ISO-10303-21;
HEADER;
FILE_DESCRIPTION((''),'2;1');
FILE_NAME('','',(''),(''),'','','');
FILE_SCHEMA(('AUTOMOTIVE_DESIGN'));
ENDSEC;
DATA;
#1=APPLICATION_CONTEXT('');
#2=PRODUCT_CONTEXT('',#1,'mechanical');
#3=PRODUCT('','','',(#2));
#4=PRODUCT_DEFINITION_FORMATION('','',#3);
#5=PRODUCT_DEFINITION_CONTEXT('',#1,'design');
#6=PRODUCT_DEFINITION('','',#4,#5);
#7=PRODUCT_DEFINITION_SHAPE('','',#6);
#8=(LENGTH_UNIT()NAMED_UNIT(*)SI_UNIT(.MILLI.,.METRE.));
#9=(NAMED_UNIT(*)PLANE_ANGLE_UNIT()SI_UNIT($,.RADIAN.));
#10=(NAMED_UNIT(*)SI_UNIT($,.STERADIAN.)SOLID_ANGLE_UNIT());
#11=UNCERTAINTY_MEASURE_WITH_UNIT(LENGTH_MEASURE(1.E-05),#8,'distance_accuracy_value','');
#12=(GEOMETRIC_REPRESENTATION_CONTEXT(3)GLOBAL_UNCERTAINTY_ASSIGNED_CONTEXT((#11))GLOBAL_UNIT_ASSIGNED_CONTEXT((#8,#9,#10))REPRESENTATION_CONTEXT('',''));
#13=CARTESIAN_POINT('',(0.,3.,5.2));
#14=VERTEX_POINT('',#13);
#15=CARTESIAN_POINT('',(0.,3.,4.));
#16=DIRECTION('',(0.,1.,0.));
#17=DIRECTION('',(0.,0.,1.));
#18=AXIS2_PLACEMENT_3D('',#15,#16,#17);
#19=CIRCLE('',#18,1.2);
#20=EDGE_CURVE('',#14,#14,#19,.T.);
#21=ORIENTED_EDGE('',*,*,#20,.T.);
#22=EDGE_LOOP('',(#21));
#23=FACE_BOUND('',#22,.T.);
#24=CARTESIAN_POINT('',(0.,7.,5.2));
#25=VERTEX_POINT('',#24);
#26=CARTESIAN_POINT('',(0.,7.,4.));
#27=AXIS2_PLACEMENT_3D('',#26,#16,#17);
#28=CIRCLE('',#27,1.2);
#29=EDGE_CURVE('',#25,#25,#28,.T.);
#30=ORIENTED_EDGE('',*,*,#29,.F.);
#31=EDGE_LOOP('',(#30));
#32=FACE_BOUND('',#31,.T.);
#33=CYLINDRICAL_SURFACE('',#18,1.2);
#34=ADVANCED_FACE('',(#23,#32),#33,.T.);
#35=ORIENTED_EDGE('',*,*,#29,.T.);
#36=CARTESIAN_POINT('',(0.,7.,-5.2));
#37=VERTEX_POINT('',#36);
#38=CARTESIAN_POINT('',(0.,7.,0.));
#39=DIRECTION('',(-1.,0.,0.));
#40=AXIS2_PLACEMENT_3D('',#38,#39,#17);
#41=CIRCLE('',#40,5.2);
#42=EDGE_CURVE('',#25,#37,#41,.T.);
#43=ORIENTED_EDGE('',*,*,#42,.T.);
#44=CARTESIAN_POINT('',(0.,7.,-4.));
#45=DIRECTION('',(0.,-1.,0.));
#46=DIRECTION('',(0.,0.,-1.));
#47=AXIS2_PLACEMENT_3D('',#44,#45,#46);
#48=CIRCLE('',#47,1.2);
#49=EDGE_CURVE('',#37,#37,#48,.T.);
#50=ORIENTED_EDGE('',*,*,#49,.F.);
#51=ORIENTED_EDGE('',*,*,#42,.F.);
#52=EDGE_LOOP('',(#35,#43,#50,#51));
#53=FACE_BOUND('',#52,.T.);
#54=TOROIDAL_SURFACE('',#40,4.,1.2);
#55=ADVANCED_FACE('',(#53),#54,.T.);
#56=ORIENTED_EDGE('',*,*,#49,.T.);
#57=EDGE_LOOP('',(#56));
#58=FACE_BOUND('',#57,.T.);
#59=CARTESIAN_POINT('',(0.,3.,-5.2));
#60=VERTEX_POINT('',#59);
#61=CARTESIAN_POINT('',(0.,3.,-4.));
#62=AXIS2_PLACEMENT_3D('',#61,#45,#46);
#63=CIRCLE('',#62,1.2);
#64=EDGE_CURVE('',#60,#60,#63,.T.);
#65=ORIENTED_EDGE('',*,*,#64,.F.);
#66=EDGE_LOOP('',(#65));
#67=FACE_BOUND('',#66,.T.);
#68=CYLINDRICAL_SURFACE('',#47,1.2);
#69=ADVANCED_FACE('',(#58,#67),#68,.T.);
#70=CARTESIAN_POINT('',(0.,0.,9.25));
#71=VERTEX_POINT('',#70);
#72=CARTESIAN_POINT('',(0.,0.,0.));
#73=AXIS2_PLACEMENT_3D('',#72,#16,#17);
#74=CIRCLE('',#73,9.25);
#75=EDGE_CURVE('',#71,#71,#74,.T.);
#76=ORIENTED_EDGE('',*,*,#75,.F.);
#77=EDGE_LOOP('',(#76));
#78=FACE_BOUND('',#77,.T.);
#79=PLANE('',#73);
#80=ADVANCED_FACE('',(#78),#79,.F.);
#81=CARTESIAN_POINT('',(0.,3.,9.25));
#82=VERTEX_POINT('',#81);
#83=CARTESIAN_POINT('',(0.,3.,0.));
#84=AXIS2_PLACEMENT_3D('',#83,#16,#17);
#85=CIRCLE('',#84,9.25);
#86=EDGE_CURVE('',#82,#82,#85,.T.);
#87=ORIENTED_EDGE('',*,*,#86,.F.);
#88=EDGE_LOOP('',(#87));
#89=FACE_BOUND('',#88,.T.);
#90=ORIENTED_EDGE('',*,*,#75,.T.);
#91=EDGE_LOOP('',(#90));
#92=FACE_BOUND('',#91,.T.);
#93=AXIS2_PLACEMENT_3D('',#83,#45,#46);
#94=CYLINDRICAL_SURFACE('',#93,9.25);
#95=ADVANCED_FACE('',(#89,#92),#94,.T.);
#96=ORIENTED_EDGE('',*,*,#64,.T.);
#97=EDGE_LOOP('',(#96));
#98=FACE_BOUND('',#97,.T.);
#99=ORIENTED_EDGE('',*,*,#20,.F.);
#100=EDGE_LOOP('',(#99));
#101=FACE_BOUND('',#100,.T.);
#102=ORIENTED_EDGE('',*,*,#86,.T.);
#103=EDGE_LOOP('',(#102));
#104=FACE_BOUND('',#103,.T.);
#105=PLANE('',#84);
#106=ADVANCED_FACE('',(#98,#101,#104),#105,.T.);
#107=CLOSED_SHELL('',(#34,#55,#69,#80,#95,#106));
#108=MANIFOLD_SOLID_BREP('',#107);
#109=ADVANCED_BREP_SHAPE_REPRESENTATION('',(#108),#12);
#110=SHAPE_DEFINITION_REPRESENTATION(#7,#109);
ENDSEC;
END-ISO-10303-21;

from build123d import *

# Parameters (mm, degrees)
SKETCH1_R           = 9.25
BOSS_EXTRUDE1_DEPTH = 3
SKETCH2_R           = 1.2


with BuildPart() as part:
    # Sketch1 → Boss-Extrude1 (new body)
    with BuildSketch(Plane(origin=(0, 0, 0), x_dir=(1, 0, 0), z_dir=(0, 1, 0))):
        with Locations(Location((0, 0, 0), (0, 0, 270))):
            Circle(SKETCH1_R)
    extrude(amount=BOSS_EXTRUDE1_DEPTH)

    # Sweep1: sweep along a path in Sketch3
    with BuildLine(Plane(origin=(0, 0, 0), x_dir=(0, 0, -1), z_dir=(1, 0, 0))) as sweep1_path:
        Line((-4, 3), (-4, 7))
        ThreePointArc((-4, 7), (0, 11), (4, 7))
        Line((4, 7), (4, 3))
    # Sketch2 → Sweep1 (sweep)
    with BuildSketch(Plane(origin=(0, 3, 0), x_dir=(1, 0, 0), z_dir=(0, 1, 0))):
        with Locations((0, -4)):
            Circle(SKETCH2_R)
    sweep(path=sweep1_path.line)


solid = part.part
